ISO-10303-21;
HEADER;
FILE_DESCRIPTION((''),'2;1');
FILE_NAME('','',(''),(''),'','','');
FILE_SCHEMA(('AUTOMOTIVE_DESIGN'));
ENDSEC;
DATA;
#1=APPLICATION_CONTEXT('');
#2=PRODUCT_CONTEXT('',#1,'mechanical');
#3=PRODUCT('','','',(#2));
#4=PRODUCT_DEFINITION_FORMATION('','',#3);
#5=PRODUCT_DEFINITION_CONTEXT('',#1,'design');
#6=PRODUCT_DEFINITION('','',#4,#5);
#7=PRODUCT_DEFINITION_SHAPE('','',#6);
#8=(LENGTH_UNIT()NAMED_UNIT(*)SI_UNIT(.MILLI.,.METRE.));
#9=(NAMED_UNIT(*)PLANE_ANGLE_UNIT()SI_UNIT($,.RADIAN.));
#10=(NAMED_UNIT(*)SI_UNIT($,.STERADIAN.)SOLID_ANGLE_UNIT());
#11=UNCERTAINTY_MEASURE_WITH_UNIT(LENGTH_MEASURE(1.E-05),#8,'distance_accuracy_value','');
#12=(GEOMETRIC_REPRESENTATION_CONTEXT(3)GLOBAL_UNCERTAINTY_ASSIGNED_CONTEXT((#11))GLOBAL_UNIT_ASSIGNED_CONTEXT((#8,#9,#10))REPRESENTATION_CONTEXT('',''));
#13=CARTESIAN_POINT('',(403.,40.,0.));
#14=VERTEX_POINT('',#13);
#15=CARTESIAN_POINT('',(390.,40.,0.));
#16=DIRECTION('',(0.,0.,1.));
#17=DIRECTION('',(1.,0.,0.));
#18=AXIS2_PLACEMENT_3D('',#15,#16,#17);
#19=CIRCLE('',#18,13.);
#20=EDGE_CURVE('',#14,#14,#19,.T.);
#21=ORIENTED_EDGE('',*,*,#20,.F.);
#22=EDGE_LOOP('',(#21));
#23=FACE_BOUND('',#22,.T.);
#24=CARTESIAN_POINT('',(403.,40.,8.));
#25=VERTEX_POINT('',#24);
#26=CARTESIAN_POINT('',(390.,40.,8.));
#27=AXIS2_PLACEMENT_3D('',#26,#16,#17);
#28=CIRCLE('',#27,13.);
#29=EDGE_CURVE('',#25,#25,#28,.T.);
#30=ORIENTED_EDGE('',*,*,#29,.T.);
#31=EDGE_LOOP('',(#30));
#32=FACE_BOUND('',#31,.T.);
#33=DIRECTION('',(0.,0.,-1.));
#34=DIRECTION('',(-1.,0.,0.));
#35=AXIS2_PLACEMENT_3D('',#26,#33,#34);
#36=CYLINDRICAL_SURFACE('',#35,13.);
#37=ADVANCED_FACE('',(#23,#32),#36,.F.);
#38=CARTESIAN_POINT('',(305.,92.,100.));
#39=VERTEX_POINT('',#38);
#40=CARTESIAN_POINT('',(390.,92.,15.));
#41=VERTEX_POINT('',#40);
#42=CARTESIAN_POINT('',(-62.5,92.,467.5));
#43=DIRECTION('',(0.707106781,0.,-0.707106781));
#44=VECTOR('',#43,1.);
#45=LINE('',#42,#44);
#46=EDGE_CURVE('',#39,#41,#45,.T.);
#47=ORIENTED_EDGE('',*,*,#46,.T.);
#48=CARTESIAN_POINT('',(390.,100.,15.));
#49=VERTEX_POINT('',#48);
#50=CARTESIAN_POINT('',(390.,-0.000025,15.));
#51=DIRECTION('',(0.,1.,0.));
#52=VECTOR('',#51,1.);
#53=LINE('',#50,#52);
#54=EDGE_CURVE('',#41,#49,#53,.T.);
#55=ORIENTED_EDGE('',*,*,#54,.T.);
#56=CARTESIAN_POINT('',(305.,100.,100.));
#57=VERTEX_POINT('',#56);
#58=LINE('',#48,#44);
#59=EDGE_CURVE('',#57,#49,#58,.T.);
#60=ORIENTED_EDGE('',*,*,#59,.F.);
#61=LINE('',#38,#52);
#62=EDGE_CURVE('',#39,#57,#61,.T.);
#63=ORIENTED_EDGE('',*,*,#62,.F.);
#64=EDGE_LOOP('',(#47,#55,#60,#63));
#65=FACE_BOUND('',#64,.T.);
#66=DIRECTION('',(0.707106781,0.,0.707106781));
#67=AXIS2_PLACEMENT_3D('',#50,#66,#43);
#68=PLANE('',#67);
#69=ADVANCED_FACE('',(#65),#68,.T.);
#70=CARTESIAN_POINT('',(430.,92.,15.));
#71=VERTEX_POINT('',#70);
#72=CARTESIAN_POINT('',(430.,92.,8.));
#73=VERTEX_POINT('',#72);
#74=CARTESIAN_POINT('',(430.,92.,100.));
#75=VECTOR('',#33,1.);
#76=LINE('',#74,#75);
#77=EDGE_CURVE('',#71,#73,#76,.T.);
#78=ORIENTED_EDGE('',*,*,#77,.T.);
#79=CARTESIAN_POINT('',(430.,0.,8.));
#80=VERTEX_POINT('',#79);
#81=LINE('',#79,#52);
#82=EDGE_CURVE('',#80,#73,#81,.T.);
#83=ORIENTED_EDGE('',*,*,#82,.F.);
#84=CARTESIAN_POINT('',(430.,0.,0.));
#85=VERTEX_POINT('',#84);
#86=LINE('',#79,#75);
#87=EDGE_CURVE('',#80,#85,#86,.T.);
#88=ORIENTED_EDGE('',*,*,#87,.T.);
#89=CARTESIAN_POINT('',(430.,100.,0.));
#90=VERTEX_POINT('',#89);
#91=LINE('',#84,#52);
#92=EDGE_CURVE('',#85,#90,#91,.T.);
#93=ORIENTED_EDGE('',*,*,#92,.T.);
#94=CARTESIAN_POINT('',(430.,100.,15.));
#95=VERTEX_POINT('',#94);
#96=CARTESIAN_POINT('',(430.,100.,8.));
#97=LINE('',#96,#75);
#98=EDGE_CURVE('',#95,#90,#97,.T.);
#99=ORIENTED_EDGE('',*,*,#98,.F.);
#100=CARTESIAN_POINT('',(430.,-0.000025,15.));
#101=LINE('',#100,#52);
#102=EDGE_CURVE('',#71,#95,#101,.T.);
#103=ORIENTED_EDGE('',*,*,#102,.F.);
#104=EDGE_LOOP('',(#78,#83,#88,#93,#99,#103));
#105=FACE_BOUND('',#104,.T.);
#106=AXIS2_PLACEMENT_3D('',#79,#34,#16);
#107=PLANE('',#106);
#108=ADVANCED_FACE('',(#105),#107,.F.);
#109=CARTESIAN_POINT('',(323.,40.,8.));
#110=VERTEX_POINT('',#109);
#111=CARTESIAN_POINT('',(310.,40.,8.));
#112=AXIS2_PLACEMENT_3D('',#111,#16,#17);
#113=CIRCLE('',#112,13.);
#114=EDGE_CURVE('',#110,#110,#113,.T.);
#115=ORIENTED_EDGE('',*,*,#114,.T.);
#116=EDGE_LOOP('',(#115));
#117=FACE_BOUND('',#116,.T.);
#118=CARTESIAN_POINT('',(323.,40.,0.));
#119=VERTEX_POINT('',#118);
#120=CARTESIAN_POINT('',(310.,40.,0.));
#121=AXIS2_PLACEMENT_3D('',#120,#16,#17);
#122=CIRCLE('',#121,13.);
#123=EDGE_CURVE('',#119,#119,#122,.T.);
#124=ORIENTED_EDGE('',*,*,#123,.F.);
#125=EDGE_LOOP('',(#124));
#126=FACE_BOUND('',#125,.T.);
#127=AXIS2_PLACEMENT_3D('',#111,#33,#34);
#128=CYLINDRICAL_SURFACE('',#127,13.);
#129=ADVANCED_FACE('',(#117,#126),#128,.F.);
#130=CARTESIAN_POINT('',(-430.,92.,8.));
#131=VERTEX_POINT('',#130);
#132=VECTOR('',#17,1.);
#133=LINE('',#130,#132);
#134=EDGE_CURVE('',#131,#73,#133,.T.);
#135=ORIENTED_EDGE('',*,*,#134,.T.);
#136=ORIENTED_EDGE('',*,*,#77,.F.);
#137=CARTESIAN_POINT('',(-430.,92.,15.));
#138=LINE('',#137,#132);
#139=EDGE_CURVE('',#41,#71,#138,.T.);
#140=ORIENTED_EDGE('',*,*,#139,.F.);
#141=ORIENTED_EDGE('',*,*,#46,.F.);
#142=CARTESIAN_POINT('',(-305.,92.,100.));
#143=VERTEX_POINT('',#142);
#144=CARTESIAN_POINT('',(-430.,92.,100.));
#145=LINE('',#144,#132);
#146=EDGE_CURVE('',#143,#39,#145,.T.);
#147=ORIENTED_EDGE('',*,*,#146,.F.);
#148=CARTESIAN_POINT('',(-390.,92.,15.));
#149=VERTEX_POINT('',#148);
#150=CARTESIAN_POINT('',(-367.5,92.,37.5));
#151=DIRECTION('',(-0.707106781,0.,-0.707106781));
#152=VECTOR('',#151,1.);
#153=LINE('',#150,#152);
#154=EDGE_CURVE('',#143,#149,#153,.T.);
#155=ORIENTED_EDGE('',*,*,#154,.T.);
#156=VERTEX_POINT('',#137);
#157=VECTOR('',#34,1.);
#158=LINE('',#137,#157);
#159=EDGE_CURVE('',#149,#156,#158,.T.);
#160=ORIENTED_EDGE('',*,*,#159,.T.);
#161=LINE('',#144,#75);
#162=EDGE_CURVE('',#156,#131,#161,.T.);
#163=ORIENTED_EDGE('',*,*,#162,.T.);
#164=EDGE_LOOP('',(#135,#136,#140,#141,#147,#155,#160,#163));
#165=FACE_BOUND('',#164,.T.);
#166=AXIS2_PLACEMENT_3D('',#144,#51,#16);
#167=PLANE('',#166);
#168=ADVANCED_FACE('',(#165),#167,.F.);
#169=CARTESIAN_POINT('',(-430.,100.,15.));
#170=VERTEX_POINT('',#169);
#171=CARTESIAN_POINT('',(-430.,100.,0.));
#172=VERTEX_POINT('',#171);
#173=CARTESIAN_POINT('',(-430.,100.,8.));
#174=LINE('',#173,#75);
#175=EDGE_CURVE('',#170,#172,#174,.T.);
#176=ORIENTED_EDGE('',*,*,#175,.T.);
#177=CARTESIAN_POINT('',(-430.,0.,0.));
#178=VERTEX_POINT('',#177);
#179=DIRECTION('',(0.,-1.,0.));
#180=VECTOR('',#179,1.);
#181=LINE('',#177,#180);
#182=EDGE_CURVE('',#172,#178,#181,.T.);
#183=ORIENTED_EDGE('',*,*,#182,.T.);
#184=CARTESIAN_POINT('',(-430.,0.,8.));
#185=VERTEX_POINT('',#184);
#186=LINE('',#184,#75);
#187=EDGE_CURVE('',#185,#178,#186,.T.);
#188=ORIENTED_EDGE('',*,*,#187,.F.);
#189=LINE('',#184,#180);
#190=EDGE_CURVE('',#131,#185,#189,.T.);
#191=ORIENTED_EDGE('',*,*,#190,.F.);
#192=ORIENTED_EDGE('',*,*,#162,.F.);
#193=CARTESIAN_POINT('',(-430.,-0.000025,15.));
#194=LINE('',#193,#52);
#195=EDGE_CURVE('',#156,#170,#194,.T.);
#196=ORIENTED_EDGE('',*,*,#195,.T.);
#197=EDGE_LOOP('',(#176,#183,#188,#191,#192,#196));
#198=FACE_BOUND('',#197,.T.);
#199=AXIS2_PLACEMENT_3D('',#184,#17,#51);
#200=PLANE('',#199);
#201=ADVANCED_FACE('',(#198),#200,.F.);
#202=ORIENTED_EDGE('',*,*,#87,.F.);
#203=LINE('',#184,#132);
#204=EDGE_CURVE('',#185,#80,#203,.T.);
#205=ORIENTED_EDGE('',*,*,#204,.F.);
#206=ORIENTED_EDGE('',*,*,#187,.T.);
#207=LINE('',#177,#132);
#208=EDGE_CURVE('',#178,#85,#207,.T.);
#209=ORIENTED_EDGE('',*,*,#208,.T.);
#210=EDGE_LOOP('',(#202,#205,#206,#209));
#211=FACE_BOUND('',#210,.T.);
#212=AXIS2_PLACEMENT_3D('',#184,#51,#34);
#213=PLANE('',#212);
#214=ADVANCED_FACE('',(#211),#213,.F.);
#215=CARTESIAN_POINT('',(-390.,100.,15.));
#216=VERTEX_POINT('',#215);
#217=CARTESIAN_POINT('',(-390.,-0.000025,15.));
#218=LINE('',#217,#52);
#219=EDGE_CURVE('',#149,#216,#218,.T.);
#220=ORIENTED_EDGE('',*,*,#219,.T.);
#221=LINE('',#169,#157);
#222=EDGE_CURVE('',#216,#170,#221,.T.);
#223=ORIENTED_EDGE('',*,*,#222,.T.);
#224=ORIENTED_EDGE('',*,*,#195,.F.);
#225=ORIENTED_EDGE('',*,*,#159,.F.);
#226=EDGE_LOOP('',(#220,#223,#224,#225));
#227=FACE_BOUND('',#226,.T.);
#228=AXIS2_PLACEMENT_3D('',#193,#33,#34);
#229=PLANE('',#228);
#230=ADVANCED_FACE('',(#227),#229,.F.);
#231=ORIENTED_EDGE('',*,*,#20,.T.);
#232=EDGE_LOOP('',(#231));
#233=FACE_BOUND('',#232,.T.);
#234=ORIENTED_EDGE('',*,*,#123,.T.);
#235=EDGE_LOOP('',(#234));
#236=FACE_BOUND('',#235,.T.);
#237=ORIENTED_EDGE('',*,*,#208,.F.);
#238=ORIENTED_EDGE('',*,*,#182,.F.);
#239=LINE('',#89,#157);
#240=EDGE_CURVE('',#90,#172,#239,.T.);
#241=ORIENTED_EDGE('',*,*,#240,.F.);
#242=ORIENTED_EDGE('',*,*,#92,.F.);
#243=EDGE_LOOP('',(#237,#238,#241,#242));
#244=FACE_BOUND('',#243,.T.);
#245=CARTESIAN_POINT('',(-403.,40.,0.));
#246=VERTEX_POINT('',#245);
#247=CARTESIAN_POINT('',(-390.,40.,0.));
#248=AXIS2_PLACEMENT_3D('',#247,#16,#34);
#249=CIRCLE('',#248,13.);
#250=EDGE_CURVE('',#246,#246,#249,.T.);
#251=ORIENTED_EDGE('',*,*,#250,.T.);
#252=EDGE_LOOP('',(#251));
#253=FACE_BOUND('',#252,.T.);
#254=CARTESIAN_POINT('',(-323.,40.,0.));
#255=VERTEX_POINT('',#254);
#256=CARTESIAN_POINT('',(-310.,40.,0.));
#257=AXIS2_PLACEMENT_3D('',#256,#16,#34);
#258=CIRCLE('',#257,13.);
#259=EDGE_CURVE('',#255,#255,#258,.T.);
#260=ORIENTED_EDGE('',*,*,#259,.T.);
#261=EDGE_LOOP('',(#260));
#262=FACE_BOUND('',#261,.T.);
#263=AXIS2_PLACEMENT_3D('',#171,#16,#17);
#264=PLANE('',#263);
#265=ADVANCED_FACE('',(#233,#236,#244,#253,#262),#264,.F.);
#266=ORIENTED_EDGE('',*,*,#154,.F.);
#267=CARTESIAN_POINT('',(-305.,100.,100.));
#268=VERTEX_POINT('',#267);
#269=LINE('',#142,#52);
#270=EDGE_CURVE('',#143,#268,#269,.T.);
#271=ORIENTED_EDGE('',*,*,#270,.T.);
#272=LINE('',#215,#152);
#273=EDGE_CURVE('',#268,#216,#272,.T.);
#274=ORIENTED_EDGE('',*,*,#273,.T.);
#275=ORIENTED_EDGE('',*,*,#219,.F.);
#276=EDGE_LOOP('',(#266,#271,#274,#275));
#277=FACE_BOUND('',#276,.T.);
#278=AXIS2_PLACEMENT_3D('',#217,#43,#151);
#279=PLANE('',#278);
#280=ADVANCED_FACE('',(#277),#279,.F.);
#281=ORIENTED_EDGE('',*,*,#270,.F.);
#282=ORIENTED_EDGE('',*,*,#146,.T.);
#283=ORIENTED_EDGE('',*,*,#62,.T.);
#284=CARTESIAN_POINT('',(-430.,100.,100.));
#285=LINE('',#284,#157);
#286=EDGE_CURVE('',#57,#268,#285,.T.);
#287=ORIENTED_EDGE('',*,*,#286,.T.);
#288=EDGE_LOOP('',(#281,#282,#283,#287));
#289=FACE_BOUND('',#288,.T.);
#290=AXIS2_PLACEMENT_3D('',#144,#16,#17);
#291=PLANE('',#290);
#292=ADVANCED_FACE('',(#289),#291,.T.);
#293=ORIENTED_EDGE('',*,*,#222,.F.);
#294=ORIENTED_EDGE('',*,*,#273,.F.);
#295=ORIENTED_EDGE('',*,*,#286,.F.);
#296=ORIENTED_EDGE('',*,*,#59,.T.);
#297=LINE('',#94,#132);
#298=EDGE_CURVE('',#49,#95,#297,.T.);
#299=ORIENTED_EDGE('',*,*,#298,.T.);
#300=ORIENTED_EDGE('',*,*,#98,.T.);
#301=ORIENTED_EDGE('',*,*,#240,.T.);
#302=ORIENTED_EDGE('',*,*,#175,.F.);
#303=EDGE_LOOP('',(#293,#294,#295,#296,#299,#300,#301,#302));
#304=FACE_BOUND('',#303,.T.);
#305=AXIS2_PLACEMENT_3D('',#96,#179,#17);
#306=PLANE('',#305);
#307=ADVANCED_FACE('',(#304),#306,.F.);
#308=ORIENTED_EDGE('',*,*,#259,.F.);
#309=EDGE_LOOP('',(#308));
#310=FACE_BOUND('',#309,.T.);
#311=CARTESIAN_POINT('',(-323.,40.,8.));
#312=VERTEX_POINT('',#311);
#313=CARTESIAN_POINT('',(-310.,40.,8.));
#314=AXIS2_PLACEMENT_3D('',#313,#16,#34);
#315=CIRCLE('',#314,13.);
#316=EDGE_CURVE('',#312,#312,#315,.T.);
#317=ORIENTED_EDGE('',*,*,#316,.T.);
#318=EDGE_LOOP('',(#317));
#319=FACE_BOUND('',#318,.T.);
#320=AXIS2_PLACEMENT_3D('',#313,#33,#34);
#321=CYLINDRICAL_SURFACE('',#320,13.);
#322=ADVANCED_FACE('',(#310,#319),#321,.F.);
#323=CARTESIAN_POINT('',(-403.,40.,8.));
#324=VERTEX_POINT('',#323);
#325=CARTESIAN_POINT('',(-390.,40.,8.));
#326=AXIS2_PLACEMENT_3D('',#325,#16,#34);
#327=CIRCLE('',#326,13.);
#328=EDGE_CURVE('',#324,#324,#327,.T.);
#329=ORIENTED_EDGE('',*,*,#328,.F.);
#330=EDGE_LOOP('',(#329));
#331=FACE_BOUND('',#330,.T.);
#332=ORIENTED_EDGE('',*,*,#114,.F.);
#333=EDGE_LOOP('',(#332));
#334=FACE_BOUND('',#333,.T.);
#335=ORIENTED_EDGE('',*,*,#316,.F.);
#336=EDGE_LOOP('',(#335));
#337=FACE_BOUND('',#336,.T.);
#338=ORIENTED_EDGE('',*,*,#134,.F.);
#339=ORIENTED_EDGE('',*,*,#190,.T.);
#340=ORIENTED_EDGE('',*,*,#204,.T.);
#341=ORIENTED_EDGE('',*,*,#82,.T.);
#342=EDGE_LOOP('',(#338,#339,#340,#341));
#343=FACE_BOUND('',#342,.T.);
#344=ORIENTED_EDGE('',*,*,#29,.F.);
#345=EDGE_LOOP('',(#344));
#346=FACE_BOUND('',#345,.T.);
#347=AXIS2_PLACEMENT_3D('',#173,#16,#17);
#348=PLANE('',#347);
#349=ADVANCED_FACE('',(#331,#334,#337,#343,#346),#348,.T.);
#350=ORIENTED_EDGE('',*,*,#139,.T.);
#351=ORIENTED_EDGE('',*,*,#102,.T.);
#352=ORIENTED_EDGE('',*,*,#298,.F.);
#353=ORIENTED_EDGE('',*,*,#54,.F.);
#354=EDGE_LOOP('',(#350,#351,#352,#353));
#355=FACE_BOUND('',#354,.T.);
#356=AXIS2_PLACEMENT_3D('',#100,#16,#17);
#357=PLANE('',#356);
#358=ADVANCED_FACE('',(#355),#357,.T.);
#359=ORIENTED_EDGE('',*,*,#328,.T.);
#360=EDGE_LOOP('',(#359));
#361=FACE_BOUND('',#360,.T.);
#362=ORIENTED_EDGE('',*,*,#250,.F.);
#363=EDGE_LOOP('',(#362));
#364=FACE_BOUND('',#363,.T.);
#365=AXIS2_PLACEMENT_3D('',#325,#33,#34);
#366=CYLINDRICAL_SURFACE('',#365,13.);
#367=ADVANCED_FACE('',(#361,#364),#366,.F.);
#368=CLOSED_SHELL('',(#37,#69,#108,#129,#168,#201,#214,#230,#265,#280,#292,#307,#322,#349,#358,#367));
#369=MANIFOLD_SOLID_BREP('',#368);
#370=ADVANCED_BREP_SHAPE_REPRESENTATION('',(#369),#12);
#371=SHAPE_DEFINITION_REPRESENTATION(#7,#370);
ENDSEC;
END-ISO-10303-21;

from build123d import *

# Parameters (mm, degrees)
SKETCH_1_W          = 860
SKETCH_1_H          = 100
SKETCH_1_R          = 13
EXTRUDE_1_DEPTH     = 8
SKETCH_2_W          = 860
SKETCH_2_H          = 8
EXTRUDE_2_DEPTH     = 92
CUT_EXTRUDE_1_DEPTH = 453.65881191


with BuildPart() as part:
    # 草图1 → 凸台-拉伸1 (new body)
    with BuildSketch(Plane.XY):
        with Locations((0, 50)):
            Rectangle(SKETCH_1_W, SKETCH_1_H)
        with Locations((390, 40)):
            Circle(SKETCH_1_R, mode=Mode.SUBTRACT)
        with Locations((310, 40)):
            Circle(SKETCH_1_R, mode=Mode.SUBTRACT)
        with Locations(Location((-390, 40, 0), (0, 0, 180))):
            Circle(SKETCH_1_R, mode=Mode.SUBTRACT)
        with Locations(Location((-310, 40, 0), (0, 0, 180))):
            Circle(SKETCH_1_R, mode=Mode.SUBTRACT)
    extrude(amount=EXTRUDE_1_DEPTH)

    # 草图2 → 凸台-拉伸2 (add)
    with BuildSketch(Plane.XY.offset(8)):
        with Locations((0, 96)):
            Rectangle(SKETCH_2_W, SKETCH_2_H)
    extrude(amount=EXTRUDE_2_DEPTH)

    # 草图4 → 切除-拉伸1 (cut, through all)
    with BuildSketch(Plane(origin=(0, 100, 0), x_dir=(1, 0, 0), z_dir=(0, 1, 0))):
        Polygon((-430, -15), (-390, -15), (-305, -100), (-430, -100), align=None)
    cut_extrude_1 = extrude(amount=-CUT_EXTRUDE_1_DEPTH, mode=Mode.SUBTRACT)

    # 镜向1: 切除-拉伸1 across plane
    add(cut_extrude_1.mirror(Plane(origin=(0, 0, 0), x_dir=(0, 0, 1), z_dir=(1, 0, 0))), mode=Mode.SUBTRACT)


solid = part.part
